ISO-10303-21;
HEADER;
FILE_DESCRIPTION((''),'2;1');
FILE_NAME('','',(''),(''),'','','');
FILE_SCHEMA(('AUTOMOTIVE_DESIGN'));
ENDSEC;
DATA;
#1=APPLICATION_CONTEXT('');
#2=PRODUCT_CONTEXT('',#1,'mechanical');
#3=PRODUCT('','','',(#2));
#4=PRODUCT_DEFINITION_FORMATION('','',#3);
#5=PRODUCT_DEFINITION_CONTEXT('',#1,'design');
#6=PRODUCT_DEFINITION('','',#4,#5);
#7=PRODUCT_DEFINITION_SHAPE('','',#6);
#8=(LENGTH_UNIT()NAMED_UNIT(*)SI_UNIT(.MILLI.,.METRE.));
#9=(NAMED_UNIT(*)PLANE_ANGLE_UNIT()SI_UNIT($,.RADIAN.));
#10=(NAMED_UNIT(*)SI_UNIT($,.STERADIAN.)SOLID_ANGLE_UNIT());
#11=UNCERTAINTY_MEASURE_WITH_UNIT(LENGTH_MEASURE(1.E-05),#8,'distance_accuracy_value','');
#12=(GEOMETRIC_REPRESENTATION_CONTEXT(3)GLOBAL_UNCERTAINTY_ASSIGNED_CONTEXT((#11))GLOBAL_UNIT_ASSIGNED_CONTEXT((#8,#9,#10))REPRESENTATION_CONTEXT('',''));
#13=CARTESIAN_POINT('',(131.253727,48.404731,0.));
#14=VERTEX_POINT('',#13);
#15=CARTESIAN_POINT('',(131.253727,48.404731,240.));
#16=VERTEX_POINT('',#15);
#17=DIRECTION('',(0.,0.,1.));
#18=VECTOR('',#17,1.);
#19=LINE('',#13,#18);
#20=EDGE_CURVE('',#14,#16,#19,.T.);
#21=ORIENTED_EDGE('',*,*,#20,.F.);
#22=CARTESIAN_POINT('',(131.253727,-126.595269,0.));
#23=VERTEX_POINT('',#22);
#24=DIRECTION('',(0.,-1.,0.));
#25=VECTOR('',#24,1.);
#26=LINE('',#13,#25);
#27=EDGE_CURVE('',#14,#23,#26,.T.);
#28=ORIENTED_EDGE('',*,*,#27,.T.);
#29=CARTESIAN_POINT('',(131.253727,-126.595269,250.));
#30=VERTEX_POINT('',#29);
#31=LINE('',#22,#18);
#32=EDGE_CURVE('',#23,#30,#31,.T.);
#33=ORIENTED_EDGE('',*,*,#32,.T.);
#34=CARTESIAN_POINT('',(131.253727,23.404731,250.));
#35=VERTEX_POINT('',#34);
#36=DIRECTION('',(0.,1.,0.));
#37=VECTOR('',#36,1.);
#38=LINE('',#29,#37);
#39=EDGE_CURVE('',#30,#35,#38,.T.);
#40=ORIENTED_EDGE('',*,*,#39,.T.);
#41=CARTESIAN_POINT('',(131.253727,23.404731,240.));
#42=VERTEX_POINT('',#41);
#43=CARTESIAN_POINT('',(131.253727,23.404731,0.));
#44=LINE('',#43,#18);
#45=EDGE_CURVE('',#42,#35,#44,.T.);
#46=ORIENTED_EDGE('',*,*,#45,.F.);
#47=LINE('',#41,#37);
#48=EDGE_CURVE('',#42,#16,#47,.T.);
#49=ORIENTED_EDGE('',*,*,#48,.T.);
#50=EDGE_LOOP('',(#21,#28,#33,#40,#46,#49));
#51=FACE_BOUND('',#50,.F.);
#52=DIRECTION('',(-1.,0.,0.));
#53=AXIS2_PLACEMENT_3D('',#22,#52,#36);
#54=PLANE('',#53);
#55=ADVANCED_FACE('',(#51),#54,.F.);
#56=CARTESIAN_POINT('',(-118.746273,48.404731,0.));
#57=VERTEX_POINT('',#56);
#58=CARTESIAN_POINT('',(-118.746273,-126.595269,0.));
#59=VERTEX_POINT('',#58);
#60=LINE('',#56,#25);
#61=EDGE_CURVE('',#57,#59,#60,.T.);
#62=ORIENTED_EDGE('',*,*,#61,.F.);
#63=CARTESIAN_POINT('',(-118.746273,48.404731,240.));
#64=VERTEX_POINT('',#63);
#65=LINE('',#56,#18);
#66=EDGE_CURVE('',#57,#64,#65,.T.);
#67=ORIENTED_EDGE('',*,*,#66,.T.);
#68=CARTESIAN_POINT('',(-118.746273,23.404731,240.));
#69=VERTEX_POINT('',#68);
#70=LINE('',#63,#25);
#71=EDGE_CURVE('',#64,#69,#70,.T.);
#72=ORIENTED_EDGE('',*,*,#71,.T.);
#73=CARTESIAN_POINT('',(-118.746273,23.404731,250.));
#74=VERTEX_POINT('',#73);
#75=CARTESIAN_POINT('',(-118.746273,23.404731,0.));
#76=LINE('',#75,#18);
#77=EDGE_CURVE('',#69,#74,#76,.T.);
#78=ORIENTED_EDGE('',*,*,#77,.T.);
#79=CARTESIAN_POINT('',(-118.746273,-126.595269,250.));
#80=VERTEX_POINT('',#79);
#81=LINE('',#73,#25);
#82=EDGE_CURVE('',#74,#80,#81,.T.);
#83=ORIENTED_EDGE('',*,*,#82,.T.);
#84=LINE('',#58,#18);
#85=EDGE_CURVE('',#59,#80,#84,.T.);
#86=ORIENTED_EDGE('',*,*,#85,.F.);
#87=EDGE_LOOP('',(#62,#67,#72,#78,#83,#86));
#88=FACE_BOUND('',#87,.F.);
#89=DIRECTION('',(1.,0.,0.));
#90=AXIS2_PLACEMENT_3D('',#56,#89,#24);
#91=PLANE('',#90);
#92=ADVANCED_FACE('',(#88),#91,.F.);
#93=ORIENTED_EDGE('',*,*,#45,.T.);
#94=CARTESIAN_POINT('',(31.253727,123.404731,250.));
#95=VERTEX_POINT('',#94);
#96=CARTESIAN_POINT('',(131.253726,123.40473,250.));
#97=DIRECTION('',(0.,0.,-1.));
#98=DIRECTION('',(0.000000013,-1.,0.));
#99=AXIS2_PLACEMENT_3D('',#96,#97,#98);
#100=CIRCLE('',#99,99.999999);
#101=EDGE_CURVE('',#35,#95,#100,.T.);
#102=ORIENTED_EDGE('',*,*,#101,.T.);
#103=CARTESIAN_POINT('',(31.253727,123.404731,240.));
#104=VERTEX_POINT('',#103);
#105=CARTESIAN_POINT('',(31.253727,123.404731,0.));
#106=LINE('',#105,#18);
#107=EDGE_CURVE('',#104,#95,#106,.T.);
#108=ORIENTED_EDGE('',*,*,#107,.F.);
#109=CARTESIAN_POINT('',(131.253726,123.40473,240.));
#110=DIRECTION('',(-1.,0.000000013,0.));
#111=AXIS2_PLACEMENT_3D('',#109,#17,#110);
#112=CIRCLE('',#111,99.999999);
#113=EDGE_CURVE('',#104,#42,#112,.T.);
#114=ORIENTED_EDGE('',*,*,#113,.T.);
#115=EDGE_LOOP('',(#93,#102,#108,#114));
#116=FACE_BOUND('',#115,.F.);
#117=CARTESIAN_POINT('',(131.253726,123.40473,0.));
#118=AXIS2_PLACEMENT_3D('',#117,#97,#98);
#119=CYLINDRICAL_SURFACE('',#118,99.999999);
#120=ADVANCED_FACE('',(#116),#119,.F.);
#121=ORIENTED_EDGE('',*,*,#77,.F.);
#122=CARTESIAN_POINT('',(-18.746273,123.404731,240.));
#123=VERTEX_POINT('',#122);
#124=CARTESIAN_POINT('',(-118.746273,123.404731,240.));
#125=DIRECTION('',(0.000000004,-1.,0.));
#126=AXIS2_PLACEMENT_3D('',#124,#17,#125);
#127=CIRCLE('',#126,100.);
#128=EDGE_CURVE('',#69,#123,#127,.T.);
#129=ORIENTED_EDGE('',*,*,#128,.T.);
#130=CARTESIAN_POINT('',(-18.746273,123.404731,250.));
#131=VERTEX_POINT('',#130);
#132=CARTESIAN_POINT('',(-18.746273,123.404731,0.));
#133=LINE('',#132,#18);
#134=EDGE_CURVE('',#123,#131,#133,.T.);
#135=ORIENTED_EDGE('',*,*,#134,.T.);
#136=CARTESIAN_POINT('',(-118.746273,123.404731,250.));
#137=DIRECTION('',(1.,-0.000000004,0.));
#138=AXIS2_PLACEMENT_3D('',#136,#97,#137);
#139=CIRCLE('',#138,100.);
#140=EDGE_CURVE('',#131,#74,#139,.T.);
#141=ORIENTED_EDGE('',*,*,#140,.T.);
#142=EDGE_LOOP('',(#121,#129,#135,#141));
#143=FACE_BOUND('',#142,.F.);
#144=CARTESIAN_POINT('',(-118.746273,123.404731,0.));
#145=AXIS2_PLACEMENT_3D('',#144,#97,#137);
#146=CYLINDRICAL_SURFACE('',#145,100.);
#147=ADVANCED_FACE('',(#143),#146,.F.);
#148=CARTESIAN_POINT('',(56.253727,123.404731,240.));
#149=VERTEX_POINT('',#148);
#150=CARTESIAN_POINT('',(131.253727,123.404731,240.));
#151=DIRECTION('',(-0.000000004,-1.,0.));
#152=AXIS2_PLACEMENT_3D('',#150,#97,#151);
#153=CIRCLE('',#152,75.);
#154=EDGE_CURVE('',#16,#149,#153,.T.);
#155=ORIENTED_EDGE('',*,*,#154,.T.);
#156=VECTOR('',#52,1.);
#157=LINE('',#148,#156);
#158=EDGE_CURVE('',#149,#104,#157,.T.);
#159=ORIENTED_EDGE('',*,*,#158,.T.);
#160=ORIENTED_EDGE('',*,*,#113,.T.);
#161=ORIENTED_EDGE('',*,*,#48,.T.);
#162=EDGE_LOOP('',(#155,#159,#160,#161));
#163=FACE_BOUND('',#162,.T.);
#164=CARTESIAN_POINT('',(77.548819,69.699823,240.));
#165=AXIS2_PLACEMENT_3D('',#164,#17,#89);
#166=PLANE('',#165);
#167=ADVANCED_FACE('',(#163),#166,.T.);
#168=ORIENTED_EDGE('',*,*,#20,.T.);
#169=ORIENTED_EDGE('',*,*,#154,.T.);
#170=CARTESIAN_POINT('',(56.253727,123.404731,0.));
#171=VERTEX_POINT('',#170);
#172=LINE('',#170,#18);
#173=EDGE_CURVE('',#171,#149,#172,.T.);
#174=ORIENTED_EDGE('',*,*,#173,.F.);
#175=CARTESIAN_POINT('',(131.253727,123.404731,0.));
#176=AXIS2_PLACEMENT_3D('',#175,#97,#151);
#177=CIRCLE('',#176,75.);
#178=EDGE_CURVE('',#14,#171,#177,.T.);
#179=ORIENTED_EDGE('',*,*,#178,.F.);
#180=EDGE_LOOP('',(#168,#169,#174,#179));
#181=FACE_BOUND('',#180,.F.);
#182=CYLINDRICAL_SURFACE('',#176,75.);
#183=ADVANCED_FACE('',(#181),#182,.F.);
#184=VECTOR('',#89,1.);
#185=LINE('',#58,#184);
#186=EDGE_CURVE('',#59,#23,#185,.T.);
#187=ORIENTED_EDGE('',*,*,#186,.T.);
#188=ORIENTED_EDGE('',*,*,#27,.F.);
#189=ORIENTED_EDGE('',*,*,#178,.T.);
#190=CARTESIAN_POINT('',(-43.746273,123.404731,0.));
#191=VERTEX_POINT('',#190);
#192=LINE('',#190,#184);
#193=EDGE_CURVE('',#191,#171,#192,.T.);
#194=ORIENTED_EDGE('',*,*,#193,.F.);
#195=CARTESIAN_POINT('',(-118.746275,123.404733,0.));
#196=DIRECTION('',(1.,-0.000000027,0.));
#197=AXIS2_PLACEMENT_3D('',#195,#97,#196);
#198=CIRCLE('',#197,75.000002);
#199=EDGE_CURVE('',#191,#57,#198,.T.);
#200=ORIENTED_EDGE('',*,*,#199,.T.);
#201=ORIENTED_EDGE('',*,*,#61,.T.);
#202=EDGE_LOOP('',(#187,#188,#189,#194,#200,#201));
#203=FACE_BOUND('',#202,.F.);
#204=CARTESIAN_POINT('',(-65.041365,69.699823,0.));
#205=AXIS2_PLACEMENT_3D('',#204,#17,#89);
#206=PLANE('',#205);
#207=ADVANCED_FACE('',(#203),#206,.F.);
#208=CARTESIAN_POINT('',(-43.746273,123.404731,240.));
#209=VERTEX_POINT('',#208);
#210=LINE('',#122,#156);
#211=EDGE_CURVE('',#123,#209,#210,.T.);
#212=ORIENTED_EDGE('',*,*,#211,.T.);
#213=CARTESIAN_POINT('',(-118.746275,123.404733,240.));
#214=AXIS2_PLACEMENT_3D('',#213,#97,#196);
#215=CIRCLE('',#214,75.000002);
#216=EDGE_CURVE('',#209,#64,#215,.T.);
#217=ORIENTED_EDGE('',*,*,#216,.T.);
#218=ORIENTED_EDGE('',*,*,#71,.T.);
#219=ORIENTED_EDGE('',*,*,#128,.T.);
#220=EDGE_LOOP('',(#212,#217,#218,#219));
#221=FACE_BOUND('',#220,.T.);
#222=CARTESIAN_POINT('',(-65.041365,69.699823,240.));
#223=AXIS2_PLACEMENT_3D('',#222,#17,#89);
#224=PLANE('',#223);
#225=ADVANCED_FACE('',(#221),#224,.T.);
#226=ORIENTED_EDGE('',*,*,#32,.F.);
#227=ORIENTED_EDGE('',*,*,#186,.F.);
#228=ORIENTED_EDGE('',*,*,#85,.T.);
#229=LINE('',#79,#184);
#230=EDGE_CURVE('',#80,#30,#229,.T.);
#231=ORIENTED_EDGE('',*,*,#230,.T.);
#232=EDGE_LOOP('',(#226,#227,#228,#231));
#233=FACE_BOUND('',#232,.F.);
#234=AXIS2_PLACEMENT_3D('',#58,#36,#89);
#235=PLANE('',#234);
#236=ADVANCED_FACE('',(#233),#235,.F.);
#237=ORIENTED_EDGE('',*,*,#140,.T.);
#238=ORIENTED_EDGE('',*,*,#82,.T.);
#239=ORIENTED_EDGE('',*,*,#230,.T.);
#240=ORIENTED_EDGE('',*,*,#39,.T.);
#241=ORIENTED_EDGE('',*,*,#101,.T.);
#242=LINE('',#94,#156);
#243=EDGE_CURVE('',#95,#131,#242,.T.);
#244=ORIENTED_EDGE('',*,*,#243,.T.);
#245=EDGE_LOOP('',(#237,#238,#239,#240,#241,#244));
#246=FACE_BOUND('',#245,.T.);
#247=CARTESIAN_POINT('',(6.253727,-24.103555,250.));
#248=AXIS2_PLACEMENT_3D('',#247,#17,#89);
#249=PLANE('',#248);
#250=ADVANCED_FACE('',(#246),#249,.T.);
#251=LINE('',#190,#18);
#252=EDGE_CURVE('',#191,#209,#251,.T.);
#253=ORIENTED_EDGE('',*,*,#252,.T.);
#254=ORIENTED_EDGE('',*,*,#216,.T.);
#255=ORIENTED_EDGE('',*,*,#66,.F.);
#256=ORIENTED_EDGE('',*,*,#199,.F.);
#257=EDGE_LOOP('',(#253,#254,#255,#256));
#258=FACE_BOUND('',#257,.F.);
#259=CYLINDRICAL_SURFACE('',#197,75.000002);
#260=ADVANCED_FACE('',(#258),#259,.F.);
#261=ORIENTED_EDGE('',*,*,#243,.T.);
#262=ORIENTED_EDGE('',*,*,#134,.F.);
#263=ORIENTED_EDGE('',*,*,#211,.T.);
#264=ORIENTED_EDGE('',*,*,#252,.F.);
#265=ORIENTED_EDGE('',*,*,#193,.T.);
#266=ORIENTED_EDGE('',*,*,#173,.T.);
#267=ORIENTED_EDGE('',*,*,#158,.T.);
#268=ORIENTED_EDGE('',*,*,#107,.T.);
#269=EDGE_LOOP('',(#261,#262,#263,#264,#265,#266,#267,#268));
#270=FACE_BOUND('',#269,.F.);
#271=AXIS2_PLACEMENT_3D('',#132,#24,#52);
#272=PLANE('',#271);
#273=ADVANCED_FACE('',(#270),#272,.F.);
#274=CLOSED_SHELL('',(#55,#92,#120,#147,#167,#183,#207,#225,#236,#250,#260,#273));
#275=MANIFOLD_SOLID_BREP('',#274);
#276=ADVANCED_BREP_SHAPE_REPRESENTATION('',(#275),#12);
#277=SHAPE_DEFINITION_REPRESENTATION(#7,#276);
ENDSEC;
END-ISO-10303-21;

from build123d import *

# Parameters (mm, degrees)
F1_DEPTH = 250
F2_DEPTH = 240


with BuildPart() as f1:
    # F0 (on Top) → F1 (new body)
    with BuildSketch(Plane.XY):
        with BuildLine():
            Line((-118.746273, -26.595269), (-118.746273, -51.595269))
            Line((-118.746273, -51.595269), (-118.746273, -126.595269))
            Line((-118.746273, -126.595269), (-43.746273, -126.595269))
            Line((-43.746273, -126.595269), (-18.746273, -126.595269))
            Line((-18.746273, -126.595269), (31.253727, -126.595269))
            Line((31.253727, -126.595269), (56.253727, -126.595269))
            Line((56.253727, -126.595269), (131.253727, -126.595269))
            Line((131.253727, -126.595269), (131.253727, -51.595269))
            Line((131.253727, -51.595269), (131.253727, -26.595269))
            Line((131.253727, -26.595269), (131.253727, 23.404731))
            ThreePointArc((131.253727, 23.404731), (60.543048, 52.694053), (31.253727, 123.404731))
            Line((31.253727, 123.404731), (-18.746273, 123.404731))
            ThreePointArc((-18.746273, 123.404731), (-48.035595, 52.694053), (-118.746273, 23.404731))
            Line((-118.746273, 23.404731), (-118.746273, -26.595269))
        make_face()
    extrude(amount=F1_DEPTH)

    # F0 (on Top) → F2 (join)
    with BuildSketch(Plane.XY):
        with BuildLine():
            Line((-118.746273, 48.404731), (-118.746273, 23.404731))
            ThreePointArc((-118.746273, 23.404731), (-48.035595, 52.694053), (-18.746273, 123.404731))
            Line((-18.746273, 123.404731), (-43.746273, 123.404731))
            ThreePointArc((-43.746273, 123.404731), (-65.713265, 70.371723), (-118.746273, 48.404731))
        make_face()
        with BuildLine():
            Line((56.253727, 123.404731), (31.253727, 123.404731))
            ThreePointArc((31.253727, 123.404731), (60.543048, 52.694053), (131.253727, 23.404731))
            Line((131.253727, 23.404731), (131.253727, 48.404731))
            ThreePointArc((131.253727, 48.404731), (78.220718, 70.371723), (56.253727, 123.404731))
        make_face()
    extrude(amount=F2_DEPTH)


solid = f1.part
